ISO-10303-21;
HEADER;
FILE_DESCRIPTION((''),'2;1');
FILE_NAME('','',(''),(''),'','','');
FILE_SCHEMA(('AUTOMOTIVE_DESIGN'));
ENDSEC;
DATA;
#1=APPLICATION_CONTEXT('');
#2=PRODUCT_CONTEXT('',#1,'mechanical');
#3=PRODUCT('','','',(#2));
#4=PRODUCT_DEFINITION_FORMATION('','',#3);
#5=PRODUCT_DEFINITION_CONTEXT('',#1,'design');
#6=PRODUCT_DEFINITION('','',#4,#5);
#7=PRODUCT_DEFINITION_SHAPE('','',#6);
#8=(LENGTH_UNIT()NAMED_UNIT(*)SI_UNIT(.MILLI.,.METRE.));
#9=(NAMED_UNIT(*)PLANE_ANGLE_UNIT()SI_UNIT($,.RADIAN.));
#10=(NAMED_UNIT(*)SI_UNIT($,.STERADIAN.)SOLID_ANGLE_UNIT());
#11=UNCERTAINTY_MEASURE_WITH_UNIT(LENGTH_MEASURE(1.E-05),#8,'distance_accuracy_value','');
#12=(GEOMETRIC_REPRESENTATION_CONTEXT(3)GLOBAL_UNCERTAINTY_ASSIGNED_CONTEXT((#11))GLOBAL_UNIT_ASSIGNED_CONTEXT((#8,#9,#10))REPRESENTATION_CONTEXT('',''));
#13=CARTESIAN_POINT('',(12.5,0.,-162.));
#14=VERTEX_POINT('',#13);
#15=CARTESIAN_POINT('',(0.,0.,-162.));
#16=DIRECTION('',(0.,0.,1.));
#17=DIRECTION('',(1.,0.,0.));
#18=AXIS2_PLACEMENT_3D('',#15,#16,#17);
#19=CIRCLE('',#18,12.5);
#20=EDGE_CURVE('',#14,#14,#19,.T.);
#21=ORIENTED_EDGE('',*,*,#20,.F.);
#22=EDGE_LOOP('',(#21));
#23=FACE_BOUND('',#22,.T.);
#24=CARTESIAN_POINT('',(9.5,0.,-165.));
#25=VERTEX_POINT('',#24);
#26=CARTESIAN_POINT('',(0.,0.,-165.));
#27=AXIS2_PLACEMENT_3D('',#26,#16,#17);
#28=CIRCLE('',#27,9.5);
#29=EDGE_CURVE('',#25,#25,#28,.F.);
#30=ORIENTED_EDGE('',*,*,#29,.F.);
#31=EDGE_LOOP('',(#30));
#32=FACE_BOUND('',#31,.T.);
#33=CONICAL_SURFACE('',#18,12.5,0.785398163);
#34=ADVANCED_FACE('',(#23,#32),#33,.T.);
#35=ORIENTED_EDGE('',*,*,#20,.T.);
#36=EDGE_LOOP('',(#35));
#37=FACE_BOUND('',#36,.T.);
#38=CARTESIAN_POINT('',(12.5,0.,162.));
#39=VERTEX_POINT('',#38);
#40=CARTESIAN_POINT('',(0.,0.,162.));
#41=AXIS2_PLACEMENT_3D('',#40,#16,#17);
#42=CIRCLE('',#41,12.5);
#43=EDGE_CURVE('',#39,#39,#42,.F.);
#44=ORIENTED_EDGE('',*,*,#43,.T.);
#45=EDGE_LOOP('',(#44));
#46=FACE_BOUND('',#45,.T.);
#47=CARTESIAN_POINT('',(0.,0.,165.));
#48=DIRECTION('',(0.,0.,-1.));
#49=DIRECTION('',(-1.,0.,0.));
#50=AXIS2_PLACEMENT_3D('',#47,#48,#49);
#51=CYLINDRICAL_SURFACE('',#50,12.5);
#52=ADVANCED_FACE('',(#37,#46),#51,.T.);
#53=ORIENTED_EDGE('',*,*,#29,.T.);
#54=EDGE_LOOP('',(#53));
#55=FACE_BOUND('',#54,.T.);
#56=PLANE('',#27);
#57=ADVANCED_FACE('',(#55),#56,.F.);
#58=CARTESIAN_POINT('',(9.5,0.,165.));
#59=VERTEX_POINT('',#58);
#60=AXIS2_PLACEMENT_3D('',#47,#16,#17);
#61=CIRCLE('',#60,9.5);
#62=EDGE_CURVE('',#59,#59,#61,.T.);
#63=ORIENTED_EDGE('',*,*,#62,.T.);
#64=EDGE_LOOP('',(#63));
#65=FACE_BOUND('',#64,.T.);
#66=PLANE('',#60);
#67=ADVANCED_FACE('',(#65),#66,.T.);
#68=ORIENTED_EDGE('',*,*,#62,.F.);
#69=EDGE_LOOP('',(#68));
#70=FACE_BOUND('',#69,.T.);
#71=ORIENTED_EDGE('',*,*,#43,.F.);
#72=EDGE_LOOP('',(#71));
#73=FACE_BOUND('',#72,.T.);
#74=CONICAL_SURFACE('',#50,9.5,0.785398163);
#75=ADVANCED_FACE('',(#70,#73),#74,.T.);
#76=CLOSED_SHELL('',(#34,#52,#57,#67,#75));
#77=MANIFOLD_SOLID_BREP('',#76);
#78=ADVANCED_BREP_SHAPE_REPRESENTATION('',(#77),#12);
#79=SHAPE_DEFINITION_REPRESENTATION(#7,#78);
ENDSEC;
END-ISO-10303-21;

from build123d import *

# Parameters (mm, degrees)
SKETCH1_R           = 12.5
BOSS_EXTRUDE1_DEPTH = 165
CHAMFER1_SIZE       = 3


with BuildPart() as part:
    # Sketch1 → Boss-Extrude1 (new body, symmetric)
    with BuildSketch(Plane.XY):
        Circle(SKETCH1_R)
    extrude(amount=BOSS_EXTRUDE1_DEPTH, both=True)

    # Chamfer1
    chamfer1_edges = [part.edges().sort_by_distance(p)[0] for p in [
        (-12.5, 0, -165),
        (-12.5, 0, 165),
    ]]
    chamfer(chamfer1_edges, length=CHAMFER1_SIZE)


solid = part.part
